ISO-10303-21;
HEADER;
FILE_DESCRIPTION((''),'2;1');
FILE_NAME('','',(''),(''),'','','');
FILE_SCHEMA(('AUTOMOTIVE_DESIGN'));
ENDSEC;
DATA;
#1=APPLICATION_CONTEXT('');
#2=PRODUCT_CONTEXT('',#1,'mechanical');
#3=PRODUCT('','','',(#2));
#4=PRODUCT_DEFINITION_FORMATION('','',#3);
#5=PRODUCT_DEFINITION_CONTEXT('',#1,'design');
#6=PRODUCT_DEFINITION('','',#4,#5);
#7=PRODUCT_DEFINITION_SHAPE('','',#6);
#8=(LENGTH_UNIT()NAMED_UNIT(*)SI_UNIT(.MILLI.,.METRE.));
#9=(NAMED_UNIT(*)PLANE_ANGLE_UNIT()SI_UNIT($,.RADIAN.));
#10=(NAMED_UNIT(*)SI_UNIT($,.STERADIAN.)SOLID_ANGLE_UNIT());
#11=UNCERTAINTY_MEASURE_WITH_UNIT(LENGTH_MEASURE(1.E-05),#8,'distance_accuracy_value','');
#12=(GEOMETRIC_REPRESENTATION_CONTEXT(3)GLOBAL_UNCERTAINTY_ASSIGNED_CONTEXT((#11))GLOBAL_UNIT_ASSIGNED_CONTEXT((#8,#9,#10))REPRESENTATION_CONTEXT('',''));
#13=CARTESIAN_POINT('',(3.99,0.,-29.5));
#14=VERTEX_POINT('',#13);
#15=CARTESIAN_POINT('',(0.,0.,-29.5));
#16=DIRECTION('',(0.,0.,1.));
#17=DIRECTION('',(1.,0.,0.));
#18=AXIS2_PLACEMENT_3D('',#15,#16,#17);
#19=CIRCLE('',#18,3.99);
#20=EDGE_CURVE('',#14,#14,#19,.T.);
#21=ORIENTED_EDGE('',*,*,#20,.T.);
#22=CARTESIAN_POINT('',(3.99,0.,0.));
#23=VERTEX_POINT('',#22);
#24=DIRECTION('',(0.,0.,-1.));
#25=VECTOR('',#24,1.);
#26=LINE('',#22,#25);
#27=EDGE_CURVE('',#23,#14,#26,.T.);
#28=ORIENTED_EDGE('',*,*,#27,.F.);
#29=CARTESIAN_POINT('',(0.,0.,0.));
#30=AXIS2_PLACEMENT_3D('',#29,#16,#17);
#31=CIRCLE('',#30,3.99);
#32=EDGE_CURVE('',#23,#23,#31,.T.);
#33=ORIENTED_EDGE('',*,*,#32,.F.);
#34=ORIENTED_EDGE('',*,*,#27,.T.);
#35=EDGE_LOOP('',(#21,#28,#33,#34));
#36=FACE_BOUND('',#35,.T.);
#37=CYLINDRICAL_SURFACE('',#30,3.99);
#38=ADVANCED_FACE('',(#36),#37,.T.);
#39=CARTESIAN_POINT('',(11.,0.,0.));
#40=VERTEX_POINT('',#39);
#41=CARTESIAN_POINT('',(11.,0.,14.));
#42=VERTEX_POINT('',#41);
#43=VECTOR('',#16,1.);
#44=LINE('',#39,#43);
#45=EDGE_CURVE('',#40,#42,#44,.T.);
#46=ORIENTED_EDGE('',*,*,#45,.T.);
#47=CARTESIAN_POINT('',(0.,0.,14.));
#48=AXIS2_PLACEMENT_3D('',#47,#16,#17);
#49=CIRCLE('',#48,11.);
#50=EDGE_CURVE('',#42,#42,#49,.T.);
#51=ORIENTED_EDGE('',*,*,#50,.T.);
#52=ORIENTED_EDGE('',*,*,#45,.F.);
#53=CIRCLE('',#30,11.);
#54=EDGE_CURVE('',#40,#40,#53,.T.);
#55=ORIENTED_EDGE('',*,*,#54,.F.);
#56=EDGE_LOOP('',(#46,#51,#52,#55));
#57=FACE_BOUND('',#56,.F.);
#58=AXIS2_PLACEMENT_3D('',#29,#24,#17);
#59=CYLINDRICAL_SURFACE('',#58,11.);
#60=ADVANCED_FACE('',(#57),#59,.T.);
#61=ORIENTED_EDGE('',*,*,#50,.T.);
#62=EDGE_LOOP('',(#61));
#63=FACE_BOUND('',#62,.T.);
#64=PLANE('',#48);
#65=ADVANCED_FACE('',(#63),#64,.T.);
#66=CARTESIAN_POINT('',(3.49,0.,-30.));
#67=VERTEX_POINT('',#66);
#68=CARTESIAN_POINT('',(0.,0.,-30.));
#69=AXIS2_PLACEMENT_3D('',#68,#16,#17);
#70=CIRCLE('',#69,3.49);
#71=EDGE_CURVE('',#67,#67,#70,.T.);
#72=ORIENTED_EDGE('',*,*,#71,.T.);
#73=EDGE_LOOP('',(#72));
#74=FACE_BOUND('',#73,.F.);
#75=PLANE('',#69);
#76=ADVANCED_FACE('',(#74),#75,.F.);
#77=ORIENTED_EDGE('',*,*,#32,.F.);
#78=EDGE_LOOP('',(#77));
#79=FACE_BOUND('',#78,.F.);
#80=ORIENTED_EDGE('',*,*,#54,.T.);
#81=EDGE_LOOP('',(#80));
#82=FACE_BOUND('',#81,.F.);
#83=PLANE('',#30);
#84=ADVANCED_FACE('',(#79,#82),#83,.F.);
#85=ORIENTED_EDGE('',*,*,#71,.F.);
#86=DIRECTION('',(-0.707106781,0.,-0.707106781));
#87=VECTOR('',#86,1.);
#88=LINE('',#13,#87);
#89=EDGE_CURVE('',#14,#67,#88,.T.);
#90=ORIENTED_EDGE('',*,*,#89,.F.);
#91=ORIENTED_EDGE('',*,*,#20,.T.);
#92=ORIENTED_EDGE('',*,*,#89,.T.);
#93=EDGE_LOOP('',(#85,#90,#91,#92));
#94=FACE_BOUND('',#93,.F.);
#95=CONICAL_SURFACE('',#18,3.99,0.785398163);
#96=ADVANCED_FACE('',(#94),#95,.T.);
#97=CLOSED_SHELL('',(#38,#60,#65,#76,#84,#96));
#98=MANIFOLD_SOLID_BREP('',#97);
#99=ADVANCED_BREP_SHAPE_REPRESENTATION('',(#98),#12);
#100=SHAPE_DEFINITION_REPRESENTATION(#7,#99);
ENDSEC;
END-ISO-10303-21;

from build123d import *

# Parameters (mm, degrees)
F0_R     = 11
F1_DEPTH = 14
F2_R     = 3.99
F3_DEPTH = 30
F4_SIZE  = 0.5


with BuildPart() as f1:
    # F0 (on Top) → F1 (new body)
    with BuildSketch(Plane.XY):
        Circle(F0_R)
    extrude(amount=F1_DEPTH)

    # F2 (on Top) → F3 (join)
    with BuildSketch(Plane.XY):
        Circle(F2_R)
    extrude(amount=-F3_DEPTH)

    # F4
    f4_edges = [f1.edges().sort_by_distance(p)[0] for p in [
        (-3.99, 0, -30),
    ]]
    chamfer(f4_edges, length=F4_SIZE)


solid = f1.part
